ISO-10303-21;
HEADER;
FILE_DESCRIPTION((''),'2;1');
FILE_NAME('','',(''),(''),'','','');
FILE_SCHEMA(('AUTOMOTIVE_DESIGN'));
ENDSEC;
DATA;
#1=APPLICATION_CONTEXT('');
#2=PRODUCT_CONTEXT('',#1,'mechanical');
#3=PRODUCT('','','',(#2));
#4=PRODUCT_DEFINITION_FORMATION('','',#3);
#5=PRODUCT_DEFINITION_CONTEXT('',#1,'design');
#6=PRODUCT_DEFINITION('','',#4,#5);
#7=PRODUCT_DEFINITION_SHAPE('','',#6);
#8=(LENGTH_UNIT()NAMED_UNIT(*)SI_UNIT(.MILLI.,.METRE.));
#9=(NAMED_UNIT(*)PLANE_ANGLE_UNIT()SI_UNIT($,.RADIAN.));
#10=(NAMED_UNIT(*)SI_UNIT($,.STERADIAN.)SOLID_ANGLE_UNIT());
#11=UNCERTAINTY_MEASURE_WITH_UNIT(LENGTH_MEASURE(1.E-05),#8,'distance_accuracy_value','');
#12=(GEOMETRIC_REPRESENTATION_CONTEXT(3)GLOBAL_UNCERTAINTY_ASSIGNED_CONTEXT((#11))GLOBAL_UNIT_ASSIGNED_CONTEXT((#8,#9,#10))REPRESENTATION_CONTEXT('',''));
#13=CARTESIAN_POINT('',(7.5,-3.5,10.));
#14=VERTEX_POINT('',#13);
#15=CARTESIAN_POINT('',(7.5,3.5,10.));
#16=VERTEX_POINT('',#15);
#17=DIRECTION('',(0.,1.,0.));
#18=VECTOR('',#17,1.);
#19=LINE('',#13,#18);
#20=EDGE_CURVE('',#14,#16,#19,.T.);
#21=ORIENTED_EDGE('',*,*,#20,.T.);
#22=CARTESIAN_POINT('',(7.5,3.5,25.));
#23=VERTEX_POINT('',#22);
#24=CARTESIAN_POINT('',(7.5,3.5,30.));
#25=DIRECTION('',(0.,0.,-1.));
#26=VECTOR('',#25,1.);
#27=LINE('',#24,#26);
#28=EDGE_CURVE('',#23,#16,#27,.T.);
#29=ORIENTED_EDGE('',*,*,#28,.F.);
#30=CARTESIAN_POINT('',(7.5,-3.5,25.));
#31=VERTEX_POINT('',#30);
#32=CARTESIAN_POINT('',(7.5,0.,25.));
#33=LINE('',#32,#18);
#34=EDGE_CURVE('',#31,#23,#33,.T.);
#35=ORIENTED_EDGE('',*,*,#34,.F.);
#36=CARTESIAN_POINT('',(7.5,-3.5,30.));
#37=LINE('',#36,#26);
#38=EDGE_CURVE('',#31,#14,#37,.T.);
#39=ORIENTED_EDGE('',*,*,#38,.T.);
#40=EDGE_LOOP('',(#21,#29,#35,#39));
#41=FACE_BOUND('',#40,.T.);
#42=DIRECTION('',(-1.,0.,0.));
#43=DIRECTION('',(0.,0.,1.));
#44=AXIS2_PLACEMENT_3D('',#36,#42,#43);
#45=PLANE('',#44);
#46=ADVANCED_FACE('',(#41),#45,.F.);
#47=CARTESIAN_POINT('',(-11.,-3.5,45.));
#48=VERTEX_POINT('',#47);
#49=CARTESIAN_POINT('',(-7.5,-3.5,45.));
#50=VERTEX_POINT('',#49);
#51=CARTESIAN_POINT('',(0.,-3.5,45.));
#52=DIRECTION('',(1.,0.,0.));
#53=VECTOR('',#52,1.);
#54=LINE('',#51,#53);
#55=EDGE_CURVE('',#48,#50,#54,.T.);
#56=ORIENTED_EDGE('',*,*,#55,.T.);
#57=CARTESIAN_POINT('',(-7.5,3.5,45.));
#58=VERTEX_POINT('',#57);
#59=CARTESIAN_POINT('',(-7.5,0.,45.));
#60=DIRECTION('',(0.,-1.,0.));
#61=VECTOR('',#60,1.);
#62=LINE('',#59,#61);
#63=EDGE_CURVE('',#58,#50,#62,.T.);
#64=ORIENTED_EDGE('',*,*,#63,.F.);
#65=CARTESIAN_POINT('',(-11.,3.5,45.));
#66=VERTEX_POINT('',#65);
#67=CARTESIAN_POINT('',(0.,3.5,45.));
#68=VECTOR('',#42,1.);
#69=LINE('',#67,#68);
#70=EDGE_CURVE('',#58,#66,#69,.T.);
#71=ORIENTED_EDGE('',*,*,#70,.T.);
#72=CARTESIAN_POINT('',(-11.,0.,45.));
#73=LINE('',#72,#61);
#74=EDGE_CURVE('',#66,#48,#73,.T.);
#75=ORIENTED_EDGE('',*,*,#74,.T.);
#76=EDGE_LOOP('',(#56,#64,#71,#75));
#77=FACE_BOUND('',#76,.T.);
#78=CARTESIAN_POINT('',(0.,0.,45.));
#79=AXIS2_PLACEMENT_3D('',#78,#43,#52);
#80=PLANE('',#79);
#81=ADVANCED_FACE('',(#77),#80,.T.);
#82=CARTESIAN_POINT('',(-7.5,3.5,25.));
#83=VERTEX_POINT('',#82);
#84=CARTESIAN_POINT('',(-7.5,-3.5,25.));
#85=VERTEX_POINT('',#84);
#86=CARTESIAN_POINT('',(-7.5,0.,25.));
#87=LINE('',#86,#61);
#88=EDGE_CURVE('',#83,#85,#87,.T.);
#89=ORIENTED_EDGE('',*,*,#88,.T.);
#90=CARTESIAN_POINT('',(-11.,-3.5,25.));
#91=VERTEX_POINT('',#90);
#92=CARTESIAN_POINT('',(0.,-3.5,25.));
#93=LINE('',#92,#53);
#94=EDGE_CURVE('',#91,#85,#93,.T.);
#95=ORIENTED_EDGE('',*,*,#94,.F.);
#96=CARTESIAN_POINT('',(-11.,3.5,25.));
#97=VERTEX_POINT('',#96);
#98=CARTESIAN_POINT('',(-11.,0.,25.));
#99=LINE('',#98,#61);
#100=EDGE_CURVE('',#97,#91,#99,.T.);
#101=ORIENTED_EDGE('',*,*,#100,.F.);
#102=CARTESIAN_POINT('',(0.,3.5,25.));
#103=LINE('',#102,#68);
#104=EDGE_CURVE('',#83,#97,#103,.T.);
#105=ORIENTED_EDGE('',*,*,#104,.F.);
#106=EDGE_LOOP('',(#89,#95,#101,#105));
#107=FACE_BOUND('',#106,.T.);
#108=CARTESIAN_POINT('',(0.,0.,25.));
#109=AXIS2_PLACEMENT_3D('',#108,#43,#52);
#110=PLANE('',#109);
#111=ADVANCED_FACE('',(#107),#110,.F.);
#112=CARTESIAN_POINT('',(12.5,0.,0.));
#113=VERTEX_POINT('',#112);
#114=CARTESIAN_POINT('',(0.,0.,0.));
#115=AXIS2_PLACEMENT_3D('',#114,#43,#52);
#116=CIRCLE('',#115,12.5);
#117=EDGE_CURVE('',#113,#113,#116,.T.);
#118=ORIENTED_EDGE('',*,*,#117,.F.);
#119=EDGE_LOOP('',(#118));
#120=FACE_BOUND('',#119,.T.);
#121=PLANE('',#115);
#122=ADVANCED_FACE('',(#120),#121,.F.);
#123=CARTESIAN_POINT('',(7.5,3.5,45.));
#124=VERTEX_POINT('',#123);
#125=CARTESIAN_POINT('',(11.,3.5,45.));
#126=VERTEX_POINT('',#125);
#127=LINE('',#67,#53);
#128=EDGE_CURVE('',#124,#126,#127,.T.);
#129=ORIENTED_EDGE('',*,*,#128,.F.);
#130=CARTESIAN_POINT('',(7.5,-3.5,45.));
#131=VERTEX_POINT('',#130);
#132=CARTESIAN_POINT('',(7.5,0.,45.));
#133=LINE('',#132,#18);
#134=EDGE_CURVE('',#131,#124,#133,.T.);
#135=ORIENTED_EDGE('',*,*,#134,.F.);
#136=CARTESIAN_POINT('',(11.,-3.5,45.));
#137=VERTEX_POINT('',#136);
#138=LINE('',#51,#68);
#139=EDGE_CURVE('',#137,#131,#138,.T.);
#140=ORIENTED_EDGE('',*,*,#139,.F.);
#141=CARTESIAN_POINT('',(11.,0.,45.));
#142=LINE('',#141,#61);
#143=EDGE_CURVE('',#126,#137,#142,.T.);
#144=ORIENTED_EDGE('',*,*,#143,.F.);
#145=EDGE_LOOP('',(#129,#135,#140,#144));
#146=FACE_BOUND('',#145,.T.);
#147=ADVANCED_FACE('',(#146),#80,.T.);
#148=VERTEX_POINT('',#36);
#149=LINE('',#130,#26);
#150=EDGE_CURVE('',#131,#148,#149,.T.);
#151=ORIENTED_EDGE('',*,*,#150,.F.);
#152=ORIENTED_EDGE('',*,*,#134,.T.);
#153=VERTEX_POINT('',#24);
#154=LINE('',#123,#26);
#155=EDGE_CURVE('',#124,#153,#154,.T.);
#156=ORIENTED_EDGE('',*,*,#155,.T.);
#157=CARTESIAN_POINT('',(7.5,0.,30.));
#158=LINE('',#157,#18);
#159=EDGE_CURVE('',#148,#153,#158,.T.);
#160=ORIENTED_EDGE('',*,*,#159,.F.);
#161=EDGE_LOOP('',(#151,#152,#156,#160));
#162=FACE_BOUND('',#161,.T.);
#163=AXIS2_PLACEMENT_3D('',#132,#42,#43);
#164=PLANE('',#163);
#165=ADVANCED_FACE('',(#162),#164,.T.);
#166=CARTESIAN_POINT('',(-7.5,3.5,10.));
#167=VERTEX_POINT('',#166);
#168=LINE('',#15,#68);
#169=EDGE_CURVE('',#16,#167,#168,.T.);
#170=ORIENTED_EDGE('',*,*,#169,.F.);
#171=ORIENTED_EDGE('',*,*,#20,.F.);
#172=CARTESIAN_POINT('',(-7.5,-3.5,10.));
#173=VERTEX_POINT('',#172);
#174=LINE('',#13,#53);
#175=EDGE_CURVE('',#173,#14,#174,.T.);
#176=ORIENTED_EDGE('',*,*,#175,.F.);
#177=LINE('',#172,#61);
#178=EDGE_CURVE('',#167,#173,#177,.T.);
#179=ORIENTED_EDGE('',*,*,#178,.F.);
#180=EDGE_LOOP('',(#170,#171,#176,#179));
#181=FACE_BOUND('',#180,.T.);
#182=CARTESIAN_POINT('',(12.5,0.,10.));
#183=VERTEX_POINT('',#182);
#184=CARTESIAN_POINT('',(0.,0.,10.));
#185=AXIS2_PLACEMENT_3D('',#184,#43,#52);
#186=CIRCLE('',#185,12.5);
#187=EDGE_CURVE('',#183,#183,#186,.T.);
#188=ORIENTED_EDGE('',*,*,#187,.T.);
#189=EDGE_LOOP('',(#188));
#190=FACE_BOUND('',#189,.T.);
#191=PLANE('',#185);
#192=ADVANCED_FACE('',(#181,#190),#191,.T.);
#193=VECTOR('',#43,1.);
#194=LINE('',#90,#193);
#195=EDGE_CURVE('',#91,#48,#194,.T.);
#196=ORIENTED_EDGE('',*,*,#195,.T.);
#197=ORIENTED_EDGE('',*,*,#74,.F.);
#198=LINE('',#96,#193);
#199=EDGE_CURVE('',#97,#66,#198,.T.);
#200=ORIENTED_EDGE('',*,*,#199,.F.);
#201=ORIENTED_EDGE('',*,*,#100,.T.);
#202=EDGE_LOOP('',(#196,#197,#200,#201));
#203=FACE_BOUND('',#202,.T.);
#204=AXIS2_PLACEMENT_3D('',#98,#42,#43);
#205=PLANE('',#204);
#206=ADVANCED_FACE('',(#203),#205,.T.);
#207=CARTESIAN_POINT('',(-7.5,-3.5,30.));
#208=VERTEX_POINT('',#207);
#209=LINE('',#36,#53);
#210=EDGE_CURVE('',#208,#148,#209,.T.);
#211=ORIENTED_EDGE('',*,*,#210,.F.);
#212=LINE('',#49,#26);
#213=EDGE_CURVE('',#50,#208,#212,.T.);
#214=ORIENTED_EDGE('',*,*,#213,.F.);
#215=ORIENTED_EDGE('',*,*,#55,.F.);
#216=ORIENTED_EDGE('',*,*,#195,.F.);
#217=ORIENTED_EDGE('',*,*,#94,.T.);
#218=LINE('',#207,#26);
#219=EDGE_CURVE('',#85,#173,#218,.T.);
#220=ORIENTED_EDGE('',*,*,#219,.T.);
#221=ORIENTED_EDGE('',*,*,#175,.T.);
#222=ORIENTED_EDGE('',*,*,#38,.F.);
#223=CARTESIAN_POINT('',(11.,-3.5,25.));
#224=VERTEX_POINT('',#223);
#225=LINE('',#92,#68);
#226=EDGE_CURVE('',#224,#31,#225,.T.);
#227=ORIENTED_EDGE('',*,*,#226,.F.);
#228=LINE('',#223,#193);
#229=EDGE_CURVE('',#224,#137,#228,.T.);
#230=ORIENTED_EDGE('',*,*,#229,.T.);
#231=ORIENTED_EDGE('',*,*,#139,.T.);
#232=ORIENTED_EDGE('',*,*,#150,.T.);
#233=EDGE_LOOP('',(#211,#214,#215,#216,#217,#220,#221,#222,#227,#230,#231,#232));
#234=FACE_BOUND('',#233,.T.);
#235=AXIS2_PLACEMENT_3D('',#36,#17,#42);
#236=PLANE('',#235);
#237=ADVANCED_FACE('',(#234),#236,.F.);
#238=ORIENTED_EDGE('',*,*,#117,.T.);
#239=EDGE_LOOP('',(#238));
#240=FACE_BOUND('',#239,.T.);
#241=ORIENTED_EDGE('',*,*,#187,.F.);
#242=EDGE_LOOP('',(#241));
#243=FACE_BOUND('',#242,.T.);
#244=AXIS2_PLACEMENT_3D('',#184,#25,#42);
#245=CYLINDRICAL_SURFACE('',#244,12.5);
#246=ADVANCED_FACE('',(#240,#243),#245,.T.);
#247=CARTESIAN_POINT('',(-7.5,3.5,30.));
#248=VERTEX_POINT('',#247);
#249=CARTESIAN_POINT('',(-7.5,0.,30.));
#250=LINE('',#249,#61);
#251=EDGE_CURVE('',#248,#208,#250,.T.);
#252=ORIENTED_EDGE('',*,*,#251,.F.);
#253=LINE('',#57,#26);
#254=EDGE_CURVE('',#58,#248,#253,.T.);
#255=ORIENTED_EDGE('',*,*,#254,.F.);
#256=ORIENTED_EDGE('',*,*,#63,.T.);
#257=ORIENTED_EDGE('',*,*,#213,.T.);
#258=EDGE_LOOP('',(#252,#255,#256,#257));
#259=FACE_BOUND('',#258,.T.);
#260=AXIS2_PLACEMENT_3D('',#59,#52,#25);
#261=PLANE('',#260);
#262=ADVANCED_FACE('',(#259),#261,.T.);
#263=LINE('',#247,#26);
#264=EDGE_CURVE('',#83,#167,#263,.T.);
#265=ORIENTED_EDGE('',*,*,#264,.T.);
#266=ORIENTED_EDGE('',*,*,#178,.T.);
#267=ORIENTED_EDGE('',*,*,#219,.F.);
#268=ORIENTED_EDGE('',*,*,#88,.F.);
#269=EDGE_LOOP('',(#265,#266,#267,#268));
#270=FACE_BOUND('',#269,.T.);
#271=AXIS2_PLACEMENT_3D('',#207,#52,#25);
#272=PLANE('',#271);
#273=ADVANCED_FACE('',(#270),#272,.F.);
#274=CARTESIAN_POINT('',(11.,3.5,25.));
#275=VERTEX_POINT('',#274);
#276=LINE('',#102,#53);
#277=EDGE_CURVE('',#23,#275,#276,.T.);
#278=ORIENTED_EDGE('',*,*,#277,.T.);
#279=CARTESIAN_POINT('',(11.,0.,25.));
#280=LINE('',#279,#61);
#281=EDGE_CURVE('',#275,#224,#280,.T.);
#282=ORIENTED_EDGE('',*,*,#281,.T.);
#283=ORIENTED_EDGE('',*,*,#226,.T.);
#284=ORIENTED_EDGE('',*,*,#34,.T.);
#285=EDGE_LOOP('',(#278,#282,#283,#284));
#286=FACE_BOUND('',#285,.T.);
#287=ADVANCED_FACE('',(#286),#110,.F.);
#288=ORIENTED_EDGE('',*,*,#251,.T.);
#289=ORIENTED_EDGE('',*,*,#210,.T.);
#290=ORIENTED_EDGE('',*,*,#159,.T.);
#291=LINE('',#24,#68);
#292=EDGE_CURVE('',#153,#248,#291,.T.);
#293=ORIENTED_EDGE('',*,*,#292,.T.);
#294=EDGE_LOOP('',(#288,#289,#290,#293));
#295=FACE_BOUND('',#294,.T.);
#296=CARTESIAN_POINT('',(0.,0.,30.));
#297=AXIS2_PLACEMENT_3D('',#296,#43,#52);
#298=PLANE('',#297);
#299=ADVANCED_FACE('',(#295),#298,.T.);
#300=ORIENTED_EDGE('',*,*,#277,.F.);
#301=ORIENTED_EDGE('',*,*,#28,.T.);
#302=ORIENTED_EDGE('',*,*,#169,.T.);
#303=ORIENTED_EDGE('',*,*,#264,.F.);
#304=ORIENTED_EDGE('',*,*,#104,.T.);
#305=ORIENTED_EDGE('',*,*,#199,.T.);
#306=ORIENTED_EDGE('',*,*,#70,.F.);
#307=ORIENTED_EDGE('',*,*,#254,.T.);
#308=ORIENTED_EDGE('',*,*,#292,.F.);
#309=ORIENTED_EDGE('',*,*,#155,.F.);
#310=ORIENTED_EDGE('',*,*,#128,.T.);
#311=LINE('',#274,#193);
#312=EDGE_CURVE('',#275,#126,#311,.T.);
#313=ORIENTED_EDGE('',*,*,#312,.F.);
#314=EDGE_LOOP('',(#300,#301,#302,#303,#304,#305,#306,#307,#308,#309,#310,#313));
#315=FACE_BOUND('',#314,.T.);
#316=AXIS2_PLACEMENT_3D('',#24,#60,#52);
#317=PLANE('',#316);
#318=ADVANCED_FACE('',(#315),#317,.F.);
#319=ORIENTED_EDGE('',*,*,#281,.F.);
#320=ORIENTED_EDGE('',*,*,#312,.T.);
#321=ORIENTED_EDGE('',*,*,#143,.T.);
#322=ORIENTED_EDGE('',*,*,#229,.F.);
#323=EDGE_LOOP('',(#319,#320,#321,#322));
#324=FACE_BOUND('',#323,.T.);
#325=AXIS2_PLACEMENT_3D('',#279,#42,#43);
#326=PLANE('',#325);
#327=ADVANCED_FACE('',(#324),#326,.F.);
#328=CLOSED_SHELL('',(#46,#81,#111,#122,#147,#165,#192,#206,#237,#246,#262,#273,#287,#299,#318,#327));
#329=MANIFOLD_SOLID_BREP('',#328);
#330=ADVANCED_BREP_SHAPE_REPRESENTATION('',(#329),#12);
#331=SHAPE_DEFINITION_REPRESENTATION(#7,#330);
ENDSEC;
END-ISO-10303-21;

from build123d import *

# Parameters (mm, degrees)
SKETCH1_R             = 12.5
BOSS_EXTRUDE1_DEPTH   = 10
SKETCH2_W             = 15
SKETCH2_H             = 7
BOSS_EXTRUDE2_DEPTH   = 20
SKETCH3_W             = 3.5
SKETCH3_H             = 7
BOSS_EXTRUDE4_DEPTH   = 15
BOSS_EXTRUDE4_2_DEPTH = 15
SKETCH3_4_W           = 3.5
SKETCH3_4_H           = 7
BOSS_EXTRUDE5_DEPTH   = 5


with BuildPart() as part:
    # Sketch1 → Boss-Extrude1 (new body)
    with BuildSketch(Plane.XY):
        Circle(SKETCH1_R)
    extrude(amount=BOSS_EXTRUDE1_DEPTH)

    # Sketch2 → Boss-Extrude2 (add)
    with BuildSketch(Plane.XY.offset(10)):
        Rectangle(SKETCH2_W, SKETCH2_H)
    extrude(amount=BOSS_EXTRUDE2_DEPTH)



with BuildPart() as body_2:
    # Sketch3 → Boss-Extrude4 (new body)
    with BuildSketch(Plane.XY.offset(30)):
        with Locations((-9.25, 0)):
            Rectangle(SKETCH3_W, SKETCH3_H)
    extrude(amount=BOSS_EXTRUDE4_DEPTH)


with BuildPart() as body_3:
    # Sketch3 → Boss-Extrude4 2 (new body)
    with BuildSketch(Plane.XY.offset(30)):
        with Locations((9.25, 0)):
            Rectangle(SKETCH3_W, SKETCH3_H)
    extrude(amount=BOSS_EXTRUDE4_2_DEPTH)


with BuildPart() as part_1:
    add(part.part)

    add(body_2.part)  # Boss-Extrude5 merges body 2

    add(body_3.part)  # Boss-Extrude5 merges body 3
    # Sketch3<4> → Boss-Extrude5 (add)
    with BuildSketch(Plane.XY.offset(30)):
        with Locations((-9.25, 0)):
            Rectangle(SKETCH3_4_W, SKETCH3_4_H)
        with Locations((9.25, 0)):
            Rectangle(SKETCH3_4_W, SKETCH3_4_H)
    extrude(amount=-BOSS_EXTRUDE5_DEPTH)


solid = part_1.part
